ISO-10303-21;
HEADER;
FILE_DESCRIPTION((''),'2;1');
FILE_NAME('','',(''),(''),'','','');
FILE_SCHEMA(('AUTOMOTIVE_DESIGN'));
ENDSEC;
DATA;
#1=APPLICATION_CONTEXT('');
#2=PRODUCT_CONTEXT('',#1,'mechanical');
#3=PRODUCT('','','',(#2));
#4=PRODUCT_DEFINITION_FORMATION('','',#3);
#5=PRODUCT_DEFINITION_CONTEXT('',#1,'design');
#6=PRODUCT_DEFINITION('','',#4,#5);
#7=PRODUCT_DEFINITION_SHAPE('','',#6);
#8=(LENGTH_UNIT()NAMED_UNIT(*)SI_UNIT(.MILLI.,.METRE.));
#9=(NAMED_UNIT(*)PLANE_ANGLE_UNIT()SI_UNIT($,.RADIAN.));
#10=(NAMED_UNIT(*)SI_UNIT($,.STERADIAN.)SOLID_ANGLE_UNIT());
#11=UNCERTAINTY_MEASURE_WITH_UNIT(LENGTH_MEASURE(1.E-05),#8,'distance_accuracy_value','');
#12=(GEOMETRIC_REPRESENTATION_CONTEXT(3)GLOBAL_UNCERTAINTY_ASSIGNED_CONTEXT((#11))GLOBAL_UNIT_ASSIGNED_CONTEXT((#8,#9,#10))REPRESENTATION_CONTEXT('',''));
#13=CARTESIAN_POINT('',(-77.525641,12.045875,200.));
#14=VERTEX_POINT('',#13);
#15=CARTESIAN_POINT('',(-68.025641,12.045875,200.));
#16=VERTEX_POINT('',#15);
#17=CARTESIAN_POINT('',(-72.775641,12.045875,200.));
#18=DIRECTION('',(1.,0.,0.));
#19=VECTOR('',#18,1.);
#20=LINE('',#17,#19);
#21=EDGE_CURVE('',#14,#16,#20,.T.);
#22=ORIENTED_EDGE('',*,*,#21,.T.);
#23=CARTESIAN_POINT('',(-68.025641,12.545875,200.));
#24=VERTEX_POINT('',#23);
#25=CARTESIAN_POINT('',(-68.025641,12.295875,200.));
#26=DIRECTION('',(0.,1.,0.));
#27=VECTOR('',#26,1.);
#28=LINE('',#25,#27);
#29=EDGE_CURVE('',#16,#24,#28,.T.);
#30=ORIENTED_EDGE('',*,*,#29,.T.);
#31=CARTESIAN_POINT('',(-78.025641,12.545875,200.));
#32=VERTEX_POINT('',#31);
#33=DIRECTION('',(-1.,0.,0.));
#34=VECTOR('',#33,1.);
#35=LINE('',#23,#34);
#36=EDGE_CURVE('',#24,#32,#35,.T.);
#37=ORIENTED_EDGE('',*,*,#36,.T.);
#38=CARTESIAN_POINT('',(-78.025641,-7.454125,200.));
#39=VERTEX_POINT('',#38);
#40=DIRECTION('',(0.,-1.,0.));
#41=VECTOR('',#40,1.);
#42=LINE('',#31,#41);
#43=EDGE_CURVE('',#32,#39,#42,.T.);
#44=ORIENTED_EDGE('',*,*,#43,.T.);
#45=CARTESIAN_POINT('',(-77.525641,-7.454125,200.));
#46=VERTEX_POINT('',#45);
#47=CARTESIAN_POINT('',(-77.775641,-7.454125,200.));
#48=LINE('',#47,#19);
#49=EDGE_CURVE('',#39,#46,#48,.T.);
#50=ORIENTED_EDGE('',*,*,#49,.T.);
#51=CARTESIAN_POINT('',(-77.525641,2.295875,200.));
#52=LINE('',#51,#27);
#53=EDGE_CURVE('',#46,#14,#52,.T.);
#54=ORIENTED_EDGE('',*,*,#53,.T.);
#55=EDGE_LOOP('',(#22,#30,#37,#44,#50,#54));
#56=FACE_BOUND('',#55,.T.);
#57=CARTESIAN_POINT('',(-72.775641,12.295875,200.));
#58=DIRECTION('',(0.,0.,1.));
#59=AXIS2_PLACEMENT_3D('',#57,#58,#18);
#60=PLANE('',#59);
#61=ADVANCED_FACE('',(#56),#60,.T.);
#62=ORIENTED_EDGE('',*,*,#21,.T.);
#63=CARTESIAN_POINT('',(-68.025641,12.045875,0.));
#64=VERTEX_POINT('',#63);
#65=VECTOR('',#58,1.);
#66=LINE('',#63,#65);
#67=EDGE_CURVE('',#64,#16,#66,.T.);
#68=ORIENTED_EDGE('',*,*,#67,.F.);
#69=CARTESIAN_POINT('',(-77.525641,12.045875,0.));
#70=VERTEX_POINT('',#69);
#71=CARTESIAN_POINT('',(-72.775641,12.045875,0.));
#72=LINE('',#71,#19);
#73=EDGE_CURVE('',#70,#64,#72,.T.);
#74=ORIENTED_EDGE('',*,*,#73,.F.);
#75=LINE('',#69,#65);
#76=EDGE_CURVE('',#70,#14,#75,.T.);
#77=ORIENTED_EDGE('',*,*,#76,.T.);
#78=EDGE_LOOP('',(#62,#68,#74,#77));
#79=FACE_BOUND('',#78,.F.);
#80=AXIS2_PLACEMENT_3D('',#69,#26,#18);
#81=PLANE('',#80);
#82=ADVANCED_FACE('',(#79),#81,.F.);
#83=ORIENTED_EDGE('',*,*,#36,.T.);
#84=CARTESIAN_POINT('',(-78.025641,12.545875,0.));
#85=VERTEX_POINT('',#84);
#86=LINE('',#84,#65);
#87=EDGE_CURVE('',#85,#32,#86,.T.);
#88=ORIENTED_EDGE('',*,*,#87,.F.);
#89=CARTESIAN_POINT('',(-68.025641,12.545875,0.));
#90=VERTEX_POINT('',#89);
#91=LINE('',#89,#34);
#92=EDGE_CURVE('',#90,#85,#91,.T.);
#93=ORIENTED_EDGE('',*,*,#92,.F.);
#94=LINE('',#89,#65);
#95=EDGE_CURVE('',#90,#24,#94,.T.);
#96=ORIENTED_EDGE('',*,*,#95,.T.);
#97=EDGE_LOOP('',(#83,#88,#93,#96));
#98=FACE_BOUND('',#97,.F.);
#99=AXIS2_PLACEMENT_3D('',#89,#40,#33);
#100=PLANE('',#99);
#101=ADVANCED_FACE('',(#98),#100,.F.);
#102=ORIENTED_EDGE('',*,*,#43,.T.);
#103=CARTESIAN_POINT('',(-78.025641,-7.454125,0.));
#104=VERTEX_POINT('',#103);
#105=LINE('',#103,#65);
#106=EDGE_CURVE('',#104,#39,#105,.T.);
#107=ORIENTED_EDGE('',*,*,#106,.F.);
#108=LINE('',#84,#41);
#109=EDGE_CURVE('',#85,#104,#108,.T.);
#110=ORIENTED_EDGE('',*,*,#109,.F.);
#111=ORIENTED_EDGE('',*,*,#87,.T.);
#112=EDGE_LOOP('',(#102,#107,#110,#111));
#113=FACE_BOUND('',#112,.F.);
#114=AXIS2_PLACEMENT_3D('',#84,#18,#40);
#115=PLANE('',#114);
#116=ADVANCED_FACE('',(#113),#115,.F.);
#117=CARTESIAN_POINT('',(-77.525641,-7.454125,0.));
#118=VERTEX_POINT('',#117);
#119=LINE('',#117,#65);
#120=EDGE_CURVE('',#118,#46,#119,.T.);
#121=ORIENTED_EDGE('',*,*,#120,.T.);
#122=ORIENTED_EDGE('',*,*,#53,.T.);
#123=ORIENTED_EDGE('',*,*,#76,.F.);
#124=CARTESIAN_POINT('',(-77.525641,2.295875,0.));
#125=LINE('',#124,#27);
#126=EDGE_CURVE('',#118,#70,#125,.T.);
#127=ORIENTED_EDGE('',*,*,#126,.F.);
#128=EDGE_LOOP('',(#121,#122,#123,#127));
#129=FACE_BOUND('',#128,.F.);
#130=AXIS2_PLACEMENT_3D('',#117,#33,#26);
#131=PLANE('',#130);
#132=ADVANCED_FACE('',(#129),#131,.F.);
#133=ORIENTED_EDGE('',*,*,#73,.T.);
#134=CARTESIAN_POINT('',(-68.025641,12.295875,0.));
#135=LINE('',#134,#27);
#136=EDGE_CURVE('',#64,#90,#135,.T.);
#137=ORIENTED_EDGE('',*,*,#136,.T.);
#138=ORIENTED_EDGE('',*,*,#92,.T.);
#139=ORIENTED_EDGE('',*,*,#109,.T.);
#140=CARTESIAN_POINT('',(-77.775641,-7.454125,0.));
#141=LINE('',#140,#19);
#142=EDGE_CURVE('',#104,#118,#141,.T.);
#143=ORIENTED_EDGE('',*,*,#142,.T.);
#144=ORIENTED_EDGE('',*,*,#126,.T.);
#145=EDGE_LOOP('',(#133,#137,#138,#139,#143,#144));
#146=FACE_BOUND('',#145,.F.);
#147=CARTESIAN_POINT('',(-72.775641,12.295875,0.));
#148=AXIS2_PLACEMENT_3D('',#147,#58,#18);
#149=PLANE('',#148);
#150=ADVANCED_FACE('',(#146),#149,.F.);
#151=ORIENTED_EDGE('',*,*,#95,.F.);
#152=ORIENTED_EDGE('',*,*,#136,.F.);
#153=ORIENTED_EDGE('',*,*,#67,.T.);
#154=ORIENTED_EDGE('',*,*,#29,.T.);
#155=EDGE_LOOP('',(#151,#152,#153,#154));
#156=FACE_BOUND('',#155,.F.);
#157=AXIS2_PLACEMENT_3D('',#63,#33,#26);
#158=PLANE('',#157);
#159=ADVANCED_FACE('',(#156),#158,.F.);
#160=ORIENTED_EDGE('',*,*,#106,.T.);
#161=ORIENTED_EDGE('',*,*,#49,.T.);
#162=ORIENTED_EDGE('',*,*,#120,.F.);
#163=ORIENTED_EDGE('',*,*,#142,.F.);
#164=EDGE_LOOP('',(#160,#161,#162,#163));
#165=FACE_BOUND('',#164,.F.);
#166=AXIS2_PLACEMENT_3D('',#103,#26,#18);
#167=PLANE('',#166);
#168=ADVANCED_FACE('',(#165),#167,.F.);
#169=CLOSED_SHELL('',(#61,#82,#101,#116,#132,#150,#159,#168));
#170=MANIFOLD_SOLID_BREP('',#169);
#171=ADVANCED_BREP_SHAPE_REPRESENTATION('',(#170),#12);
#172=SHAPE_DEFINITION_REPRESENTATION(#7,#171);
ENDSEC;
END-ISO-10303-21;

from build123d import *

# Parameters (mm, degrees)
F0_W     = 9.5
F0_H     = 0.5
F0_W_2   = 0.5
F0_H_2   = 19.5
F1_DEPTH = 200


with BuildPart() as f1:
    # F0 (on Top) → F1 (new body)
    with BuildSketch(Plane.XY):
        with Locations((-72.775641, 12.295875)):
            Rectangle(F0_W, F0_H)
        with Locations((-77.775641, 2.295875)):
            Rectangle(F0_W_2, F0_H_2)
        with Locations((-77.775641, 12.295875)):
            Rectangle(F0_W_2, F0_H)
    extrude(amount=F1_DEPTH)


solid = f1.part
